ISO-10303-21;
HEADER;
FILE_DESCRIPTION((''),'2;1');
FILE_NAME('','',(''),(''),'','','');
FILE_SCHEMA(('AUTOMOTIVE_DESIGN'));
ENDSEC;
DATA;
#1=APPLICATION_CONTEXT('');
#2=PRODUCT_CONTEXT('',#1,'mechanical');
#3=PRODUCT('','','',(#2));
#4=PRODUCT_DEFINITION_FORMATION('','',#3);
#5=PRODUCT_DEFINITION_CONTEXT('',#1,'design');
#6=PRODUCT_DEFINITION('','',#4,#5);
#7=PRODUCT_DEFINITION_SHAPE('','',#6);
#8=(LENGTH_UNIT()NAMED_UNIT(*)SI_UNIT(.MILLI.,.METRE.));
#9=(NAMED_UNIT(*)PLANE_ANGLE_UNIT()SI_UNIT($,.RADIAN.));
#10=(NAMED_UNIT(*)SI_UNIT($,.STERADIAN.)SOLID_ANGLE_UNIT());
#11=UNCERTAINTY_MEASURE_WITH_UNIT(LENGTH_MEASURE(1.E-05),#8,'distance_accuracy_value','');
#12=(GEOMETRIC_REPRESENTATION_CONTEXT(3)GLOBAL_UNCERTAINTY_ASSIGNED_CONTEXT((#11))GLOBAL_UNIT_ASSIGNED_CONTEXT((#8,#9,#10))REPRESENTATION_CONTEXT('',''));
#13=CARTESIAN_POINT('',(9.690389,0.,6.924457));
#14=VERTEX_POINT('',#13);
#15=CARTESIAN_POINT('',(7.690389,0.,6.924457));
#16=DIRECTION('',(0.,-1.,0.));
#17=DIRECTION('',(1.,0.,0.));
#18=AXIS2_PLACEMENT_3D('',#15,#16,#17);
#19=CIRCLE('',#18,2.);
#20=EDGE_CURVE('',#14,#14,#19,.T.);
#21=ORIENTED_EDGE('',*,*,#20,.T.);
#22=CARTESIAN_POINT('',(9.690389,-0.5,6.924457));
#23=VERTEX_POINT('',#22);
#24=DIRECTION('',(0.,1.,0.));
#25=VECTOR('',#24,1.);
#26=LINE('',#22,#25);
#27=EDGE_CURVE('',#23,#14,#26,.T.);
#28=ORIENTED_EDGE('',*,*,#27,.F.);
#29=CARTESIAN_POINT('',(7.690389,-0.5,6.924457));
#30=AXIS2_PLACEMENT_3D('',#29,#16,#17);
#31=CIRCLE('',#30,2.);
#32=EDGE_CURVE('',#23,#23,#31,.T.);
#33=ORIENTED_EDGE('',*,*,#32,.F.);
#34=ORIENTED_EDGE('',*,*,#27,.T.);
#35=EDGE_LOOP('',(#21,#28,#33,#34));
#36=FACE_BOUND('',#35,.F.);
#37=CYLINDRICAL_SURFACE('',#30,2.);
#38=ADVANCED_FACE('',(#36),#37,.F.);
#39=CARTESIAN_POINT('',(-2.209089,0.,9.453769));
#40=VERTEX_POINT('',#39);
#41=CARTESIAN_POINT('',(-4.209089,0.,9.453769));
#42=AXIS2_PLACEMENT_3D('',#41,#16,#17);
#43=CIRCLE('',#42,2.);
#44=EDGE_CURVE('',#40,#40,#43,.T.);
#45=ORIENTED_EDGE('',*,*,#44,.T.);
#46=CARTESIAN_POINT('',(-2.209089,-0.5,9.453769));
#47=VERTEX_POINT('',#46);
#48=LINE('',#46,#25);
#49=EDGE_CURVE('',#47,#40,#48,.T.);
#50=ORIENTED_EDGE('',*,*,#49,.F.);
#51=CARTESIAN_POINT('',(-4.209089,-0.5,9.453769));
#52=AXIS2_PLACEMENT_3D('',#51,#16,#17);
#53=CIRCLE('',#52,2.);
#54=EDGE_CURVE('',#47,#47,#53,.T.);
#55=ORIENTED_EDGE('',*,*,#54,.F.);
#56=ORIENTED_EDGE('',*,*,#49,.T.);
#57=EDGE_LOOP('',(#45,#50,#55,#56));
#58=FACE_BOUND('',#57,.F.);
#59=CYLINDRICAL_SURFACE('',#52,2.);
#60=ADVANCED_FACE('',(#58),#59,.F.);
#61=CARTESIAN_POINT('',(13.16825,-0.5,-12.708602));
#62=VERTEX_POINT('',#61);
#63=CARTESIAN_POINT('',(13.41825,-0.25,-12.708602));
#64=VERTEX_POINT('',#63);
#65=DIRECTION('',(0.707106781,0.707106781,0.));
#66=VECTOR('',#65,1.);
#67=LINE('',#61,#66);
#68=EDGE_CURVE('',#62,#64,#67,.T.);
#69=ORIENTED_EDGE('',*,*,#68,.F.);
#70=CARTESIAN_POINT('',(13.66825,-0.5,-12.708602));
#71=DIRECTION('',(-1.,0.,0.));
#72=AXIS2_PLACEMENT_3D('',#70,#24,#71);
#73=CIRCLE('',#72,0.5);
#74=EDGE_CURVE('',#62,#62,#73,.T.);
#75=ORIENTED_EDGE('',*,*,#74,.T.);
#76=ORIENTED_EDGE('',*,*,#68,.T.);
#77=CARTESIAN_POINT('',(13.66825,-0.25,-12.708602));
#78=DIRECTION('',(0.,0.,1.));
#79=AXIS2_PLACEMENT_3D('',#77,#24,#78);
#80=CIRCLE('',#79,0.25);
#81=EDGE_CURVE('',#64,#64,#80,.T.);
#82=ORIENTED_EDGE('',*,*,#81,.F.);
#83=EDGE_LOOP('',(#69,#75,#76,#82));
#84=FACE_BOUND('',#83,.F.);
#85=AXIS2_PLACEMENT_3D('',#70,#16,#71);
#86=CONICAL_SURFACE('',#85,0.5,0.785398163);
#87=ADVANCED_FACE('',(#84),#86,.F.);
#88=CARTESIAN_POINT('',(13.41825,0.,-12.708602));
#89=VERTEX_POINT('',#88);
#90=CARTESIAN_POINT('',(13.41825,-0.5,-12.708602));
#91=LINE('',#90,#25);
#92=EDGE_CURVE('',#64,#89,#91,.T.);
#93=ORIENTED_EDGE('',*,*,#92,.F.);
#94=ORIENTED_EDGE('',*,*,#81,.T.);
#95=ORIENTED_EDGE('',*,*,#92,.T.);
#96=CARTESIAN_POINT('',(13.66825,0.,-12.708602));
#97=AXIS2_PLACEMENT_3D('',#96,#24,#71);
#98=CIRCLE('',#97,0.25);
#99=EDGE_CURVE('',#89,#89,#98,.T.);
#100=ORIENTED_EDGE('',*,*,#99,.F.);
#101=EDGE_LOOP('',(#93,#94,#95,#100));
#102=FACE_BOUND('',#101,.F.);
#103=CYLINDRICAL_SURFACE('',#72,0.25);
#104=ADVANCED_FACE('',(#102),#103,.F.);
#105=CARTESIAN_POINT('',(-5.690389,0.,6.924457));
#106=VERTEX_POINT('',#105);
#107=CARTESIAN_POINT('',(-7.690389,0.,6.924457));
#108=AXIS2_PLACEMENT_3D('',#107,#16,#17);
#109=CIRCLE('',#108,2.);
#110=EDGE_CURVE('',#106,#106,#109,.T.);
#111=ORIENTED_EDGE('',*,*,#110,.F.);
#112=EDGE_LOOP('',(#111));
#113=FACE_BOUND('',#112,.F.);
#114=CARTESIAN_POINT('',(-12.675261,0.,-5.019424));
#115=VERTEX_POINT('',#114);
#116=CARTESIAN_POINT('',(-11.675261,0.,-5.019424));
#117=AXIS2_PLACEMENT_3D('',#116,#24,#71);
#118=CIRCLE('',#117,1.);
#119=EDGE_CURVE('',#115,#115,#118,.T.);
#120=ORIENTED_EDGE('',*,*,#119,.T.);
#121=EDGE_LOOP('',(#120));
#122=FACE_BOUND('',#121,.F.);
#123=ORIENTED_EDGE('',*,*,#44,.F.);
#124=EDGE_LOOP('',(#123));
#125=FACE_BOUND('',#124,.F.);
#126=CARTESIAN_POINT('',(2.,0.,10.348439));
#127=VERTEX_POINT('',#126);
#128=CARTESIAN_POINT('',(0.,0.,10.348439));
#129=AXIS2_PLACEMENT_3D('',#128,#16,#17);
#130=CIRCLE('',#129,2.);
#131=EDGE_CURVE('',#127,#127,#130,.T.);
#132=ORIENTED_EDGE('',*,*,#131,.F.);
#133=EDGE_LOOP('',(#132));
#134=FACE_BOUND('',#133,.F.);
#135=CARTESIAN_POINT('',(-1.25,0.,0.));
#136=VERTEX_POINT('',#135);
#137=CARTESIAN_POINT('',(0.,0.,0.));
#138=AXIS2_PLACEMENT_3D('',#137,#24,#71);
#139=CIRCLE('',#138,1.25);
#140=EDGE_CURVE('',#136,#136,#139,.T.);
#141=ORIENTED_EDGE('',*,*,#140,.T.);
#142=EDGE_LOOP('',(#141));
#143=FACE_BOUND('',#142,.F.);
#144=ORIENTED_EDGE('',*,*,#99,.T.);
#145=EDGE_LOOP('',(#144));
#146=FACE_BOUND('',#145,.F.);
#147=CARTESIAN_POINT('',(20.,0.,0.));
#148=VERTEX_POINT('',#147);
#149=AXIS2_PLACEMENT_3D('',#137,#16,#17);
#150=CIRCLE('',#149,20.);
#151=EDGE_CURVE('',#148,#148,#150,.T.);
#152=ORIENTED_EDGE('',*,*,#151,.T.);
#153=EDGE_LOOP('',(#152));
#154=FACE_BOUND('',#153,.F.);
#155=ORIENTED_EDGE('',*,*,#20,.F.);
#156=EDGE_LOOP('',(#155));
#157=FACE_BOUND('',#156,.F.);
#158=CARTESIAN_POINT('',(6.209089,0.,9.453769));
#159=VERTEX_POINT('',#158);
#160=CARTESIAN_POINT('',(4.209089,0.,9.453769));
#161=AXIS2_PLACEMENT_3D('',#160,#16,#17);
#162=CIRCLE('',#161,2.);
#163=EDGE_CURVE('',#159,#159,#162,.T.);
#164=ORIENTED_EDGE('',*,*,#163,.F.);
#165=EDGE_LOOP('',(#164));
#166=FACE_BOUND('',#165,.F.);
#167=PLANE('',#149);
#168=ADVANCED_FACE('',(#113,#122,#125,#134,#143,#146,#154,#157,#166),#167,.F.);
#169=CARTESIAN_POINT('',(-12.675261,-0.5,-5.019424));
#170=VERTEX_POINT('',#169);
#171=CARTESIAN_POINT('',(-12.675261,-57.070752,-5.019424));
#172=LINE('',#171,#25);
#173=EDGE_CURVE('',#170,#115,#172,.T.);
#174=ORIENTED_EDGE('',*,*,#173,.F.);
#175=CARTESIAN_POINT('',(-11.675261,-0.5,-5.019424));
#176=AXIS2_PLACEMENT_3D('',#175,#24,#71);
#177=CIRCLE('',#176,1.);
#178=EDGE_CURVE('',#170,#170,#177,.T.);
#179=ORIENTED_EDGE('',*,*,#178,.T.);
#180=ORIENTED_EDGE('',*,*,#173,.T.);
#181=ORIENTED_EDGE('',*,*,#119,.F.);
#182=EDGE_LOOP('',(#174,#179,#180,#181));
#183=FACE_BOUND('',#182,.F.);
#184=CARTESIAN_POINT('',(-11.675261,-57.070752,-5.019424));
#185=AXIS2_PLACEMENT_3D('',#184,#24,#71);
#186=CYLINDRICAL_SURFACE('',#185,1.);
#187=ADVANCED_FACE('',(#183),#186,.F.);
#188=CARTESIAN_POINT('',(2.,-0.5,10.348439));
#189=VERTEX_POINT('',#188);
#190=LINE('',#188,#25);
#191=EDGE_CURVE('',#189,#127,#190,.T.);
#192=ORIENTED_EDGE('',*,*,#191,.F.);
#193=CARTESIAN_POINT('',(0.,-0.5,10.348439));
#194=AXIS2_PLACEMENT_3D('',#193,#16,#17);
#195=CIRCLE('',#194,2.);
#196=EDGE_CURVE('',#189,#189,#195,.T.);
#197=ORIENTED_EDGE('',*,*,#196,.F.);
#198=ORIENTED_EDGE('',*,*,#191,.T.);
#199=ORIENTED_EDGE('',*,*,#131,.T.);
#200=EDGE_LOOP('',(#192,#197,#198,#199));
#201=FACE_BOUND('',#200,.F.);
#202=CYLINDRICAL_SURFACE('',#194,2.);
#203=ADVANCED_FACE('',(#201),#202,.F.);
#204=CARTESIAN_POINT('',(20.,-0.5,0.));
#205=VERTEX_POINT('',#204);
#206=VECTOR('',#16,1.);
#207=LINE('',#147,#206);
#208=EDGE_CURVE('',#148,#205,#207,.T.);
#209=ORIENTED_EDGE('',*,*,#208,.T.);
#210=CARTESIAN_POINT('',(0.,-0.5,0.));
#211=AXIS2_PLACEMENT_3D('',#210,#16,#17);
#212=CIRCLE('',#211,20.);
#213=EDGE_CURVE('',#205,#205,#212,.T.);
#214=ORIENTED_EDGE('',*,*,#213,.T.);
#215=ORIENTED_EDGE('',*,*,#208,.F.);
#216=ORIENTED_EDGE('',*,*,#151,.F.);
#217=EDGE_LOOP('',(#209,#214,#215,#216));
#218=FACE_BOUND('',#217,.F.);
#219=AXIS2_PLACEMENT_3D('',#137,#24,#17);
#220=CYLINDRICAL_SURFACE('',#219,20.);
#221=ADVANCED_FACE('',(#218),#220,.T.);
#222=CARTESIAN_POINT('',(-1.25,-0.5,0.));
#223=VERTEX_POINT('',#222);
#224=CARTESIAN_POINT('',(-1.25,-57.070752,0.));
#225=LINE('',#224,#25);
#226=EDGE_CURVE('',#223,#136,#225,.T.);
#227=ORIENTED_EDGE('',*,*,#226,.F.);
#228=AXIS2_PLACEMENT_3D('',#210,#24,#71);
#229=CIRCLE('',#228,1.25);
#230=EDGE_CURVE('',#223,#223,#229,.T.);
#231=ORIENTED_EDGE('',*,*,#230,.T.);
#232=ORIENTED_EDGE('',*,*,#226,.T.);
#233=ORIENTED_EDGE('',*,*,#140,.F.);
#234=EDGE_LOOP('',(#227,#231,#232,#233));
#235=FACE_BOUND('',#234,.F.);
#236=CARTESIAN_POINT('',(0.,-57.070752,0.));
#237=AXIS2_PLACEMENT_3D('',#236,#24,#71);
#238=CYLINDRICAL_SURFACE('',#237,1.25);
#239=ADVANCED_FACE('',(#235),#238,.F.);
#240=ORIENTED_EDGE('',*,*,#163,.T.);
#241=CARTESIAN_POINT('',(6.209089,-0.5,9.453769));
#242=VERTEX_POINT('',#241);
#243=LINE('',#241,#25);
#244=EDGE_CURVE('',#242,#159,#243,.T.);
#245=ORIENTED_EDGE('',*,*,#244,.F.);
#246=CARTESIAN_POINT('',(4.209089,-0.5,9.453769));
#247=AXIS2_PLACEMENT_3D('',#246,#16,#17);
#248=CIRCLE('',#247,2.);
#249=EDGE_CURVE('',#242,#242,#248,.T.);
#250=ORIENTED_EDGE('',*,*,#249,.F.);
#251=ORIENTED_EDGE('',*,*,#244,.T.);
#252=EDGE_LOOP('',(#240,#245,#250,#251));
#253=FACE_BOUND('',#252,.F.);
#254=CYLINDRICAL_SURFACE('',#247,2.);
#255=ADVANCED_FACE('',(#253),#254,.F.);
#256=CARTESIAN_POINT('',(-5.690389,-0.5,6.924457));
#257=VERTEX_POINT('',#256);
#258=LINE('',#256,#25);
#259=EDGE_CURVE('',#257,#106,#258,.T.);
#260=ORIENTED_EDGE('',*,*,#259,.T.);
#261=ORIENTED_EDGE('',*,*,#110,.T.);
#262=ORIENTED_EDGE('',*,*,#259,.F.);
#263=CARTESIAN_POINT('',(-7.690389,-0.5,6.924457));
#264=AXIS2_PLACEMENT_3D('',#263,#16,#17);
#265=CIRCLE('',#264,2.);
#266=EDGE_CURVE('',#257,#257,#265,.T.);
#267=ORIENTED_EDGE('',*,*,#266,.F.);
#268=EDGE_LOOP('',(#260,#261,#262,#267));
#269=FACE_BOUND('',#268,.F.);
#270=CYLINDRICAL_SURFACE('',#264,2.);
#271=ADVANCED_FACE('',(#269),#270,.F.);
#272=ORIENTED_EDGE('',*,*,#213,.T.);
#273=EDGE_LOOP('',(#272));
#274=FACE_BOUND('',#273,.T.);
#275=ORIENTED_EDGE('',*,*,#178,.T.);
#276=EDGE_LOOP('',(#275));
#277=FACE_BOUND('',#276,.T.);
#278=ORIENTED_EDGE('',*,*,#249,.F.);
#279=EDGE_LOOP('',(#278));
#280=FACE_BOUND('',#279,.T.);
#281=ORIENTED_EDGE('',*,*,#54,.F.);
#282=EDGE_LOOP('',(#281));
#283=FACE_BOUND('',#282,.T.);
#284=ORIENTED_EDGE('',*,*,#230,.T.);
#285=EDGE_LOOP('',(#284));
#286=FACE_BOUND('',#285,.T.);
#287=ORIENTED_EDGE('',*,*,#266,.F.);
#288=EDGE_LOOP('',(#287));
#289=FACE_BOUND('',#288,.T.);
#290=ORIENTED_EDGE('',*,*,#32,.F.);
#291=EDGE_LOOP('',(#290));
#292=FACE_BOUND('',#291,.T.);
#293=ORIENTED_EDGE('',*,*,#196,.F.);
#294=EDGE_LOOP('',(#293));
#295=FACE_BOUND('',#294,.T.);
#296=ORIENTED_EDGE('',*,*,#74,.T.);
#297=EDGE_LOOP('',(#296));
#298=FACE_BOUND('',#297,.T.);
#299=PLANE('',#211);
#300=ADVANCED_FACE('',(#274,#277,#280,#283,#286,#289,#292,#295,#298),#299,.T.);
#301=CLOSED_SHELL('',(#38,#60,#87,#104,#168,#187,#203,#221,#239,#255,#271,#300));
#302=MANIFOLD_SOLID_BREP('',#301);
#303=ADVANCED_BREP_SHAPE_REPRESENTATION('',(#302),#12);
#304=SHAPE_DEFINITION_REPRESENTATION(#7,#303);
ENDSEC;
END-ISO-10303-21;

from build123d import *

# Parameters (mm, degrees)
F0_R           = 20
F1_DEPTH       = 0.5
F3_D           = 2.5
F4_R           = 2
F5_DEPTH       = 25.4
F7_D           = 0.5
F7_CSINK_D     = 1
F7_CSINK_ANGLE = 90
F9_D           = 2


with BuildPart() as f1:
    # F0 (on Front) → F1 (new body)
    with BuildSketch(Plane.XZ):
        Circle(F0_R)
    extrude(amount=F1_DEPTH)

    # F3 (through all)
    with Locations(Plane.XZ.offset(0.5)):
        with Locations((0, 0)):
            Hole(F3_D / 2)

    # F4 (on face) → F5 (cut)
    with BuildSketch(Plane.XZ.offset(0.5)):
        with Locations((-7.690389, 6.924457)):
            Circle(F4_R)
        with Locations((-4.209089, 9.453769)):
            Circle(F4_R)
        with Locations((0, 10.348439)):
            Circle(F4_R)
        with Locations((4.209089, 9.453769)):
            Circle(F4_R)
        with Locations((7.690389, 6.924457)):
            Circle(F4_R)
    extrude(amount=-F5_DEPTH, mode=Mode.SUBTRACT)

    # F7 (through all)
    with Locations(Plane.XZ.offset(0.5)):
        with Locations((13.66825, -12.708602)):
            CounterSinkHole(F7_D / 2, F7_CSINK_D / 2, counter_sink_angle=F7_CSINK_ANGLE)

    # F9 (through all)
    with Locations(Plane.XZ.offset(0.5)):
        with Locations((-11.675261, -5.019424)):
            Hole(F9_D / 2)


solid = f1.part
